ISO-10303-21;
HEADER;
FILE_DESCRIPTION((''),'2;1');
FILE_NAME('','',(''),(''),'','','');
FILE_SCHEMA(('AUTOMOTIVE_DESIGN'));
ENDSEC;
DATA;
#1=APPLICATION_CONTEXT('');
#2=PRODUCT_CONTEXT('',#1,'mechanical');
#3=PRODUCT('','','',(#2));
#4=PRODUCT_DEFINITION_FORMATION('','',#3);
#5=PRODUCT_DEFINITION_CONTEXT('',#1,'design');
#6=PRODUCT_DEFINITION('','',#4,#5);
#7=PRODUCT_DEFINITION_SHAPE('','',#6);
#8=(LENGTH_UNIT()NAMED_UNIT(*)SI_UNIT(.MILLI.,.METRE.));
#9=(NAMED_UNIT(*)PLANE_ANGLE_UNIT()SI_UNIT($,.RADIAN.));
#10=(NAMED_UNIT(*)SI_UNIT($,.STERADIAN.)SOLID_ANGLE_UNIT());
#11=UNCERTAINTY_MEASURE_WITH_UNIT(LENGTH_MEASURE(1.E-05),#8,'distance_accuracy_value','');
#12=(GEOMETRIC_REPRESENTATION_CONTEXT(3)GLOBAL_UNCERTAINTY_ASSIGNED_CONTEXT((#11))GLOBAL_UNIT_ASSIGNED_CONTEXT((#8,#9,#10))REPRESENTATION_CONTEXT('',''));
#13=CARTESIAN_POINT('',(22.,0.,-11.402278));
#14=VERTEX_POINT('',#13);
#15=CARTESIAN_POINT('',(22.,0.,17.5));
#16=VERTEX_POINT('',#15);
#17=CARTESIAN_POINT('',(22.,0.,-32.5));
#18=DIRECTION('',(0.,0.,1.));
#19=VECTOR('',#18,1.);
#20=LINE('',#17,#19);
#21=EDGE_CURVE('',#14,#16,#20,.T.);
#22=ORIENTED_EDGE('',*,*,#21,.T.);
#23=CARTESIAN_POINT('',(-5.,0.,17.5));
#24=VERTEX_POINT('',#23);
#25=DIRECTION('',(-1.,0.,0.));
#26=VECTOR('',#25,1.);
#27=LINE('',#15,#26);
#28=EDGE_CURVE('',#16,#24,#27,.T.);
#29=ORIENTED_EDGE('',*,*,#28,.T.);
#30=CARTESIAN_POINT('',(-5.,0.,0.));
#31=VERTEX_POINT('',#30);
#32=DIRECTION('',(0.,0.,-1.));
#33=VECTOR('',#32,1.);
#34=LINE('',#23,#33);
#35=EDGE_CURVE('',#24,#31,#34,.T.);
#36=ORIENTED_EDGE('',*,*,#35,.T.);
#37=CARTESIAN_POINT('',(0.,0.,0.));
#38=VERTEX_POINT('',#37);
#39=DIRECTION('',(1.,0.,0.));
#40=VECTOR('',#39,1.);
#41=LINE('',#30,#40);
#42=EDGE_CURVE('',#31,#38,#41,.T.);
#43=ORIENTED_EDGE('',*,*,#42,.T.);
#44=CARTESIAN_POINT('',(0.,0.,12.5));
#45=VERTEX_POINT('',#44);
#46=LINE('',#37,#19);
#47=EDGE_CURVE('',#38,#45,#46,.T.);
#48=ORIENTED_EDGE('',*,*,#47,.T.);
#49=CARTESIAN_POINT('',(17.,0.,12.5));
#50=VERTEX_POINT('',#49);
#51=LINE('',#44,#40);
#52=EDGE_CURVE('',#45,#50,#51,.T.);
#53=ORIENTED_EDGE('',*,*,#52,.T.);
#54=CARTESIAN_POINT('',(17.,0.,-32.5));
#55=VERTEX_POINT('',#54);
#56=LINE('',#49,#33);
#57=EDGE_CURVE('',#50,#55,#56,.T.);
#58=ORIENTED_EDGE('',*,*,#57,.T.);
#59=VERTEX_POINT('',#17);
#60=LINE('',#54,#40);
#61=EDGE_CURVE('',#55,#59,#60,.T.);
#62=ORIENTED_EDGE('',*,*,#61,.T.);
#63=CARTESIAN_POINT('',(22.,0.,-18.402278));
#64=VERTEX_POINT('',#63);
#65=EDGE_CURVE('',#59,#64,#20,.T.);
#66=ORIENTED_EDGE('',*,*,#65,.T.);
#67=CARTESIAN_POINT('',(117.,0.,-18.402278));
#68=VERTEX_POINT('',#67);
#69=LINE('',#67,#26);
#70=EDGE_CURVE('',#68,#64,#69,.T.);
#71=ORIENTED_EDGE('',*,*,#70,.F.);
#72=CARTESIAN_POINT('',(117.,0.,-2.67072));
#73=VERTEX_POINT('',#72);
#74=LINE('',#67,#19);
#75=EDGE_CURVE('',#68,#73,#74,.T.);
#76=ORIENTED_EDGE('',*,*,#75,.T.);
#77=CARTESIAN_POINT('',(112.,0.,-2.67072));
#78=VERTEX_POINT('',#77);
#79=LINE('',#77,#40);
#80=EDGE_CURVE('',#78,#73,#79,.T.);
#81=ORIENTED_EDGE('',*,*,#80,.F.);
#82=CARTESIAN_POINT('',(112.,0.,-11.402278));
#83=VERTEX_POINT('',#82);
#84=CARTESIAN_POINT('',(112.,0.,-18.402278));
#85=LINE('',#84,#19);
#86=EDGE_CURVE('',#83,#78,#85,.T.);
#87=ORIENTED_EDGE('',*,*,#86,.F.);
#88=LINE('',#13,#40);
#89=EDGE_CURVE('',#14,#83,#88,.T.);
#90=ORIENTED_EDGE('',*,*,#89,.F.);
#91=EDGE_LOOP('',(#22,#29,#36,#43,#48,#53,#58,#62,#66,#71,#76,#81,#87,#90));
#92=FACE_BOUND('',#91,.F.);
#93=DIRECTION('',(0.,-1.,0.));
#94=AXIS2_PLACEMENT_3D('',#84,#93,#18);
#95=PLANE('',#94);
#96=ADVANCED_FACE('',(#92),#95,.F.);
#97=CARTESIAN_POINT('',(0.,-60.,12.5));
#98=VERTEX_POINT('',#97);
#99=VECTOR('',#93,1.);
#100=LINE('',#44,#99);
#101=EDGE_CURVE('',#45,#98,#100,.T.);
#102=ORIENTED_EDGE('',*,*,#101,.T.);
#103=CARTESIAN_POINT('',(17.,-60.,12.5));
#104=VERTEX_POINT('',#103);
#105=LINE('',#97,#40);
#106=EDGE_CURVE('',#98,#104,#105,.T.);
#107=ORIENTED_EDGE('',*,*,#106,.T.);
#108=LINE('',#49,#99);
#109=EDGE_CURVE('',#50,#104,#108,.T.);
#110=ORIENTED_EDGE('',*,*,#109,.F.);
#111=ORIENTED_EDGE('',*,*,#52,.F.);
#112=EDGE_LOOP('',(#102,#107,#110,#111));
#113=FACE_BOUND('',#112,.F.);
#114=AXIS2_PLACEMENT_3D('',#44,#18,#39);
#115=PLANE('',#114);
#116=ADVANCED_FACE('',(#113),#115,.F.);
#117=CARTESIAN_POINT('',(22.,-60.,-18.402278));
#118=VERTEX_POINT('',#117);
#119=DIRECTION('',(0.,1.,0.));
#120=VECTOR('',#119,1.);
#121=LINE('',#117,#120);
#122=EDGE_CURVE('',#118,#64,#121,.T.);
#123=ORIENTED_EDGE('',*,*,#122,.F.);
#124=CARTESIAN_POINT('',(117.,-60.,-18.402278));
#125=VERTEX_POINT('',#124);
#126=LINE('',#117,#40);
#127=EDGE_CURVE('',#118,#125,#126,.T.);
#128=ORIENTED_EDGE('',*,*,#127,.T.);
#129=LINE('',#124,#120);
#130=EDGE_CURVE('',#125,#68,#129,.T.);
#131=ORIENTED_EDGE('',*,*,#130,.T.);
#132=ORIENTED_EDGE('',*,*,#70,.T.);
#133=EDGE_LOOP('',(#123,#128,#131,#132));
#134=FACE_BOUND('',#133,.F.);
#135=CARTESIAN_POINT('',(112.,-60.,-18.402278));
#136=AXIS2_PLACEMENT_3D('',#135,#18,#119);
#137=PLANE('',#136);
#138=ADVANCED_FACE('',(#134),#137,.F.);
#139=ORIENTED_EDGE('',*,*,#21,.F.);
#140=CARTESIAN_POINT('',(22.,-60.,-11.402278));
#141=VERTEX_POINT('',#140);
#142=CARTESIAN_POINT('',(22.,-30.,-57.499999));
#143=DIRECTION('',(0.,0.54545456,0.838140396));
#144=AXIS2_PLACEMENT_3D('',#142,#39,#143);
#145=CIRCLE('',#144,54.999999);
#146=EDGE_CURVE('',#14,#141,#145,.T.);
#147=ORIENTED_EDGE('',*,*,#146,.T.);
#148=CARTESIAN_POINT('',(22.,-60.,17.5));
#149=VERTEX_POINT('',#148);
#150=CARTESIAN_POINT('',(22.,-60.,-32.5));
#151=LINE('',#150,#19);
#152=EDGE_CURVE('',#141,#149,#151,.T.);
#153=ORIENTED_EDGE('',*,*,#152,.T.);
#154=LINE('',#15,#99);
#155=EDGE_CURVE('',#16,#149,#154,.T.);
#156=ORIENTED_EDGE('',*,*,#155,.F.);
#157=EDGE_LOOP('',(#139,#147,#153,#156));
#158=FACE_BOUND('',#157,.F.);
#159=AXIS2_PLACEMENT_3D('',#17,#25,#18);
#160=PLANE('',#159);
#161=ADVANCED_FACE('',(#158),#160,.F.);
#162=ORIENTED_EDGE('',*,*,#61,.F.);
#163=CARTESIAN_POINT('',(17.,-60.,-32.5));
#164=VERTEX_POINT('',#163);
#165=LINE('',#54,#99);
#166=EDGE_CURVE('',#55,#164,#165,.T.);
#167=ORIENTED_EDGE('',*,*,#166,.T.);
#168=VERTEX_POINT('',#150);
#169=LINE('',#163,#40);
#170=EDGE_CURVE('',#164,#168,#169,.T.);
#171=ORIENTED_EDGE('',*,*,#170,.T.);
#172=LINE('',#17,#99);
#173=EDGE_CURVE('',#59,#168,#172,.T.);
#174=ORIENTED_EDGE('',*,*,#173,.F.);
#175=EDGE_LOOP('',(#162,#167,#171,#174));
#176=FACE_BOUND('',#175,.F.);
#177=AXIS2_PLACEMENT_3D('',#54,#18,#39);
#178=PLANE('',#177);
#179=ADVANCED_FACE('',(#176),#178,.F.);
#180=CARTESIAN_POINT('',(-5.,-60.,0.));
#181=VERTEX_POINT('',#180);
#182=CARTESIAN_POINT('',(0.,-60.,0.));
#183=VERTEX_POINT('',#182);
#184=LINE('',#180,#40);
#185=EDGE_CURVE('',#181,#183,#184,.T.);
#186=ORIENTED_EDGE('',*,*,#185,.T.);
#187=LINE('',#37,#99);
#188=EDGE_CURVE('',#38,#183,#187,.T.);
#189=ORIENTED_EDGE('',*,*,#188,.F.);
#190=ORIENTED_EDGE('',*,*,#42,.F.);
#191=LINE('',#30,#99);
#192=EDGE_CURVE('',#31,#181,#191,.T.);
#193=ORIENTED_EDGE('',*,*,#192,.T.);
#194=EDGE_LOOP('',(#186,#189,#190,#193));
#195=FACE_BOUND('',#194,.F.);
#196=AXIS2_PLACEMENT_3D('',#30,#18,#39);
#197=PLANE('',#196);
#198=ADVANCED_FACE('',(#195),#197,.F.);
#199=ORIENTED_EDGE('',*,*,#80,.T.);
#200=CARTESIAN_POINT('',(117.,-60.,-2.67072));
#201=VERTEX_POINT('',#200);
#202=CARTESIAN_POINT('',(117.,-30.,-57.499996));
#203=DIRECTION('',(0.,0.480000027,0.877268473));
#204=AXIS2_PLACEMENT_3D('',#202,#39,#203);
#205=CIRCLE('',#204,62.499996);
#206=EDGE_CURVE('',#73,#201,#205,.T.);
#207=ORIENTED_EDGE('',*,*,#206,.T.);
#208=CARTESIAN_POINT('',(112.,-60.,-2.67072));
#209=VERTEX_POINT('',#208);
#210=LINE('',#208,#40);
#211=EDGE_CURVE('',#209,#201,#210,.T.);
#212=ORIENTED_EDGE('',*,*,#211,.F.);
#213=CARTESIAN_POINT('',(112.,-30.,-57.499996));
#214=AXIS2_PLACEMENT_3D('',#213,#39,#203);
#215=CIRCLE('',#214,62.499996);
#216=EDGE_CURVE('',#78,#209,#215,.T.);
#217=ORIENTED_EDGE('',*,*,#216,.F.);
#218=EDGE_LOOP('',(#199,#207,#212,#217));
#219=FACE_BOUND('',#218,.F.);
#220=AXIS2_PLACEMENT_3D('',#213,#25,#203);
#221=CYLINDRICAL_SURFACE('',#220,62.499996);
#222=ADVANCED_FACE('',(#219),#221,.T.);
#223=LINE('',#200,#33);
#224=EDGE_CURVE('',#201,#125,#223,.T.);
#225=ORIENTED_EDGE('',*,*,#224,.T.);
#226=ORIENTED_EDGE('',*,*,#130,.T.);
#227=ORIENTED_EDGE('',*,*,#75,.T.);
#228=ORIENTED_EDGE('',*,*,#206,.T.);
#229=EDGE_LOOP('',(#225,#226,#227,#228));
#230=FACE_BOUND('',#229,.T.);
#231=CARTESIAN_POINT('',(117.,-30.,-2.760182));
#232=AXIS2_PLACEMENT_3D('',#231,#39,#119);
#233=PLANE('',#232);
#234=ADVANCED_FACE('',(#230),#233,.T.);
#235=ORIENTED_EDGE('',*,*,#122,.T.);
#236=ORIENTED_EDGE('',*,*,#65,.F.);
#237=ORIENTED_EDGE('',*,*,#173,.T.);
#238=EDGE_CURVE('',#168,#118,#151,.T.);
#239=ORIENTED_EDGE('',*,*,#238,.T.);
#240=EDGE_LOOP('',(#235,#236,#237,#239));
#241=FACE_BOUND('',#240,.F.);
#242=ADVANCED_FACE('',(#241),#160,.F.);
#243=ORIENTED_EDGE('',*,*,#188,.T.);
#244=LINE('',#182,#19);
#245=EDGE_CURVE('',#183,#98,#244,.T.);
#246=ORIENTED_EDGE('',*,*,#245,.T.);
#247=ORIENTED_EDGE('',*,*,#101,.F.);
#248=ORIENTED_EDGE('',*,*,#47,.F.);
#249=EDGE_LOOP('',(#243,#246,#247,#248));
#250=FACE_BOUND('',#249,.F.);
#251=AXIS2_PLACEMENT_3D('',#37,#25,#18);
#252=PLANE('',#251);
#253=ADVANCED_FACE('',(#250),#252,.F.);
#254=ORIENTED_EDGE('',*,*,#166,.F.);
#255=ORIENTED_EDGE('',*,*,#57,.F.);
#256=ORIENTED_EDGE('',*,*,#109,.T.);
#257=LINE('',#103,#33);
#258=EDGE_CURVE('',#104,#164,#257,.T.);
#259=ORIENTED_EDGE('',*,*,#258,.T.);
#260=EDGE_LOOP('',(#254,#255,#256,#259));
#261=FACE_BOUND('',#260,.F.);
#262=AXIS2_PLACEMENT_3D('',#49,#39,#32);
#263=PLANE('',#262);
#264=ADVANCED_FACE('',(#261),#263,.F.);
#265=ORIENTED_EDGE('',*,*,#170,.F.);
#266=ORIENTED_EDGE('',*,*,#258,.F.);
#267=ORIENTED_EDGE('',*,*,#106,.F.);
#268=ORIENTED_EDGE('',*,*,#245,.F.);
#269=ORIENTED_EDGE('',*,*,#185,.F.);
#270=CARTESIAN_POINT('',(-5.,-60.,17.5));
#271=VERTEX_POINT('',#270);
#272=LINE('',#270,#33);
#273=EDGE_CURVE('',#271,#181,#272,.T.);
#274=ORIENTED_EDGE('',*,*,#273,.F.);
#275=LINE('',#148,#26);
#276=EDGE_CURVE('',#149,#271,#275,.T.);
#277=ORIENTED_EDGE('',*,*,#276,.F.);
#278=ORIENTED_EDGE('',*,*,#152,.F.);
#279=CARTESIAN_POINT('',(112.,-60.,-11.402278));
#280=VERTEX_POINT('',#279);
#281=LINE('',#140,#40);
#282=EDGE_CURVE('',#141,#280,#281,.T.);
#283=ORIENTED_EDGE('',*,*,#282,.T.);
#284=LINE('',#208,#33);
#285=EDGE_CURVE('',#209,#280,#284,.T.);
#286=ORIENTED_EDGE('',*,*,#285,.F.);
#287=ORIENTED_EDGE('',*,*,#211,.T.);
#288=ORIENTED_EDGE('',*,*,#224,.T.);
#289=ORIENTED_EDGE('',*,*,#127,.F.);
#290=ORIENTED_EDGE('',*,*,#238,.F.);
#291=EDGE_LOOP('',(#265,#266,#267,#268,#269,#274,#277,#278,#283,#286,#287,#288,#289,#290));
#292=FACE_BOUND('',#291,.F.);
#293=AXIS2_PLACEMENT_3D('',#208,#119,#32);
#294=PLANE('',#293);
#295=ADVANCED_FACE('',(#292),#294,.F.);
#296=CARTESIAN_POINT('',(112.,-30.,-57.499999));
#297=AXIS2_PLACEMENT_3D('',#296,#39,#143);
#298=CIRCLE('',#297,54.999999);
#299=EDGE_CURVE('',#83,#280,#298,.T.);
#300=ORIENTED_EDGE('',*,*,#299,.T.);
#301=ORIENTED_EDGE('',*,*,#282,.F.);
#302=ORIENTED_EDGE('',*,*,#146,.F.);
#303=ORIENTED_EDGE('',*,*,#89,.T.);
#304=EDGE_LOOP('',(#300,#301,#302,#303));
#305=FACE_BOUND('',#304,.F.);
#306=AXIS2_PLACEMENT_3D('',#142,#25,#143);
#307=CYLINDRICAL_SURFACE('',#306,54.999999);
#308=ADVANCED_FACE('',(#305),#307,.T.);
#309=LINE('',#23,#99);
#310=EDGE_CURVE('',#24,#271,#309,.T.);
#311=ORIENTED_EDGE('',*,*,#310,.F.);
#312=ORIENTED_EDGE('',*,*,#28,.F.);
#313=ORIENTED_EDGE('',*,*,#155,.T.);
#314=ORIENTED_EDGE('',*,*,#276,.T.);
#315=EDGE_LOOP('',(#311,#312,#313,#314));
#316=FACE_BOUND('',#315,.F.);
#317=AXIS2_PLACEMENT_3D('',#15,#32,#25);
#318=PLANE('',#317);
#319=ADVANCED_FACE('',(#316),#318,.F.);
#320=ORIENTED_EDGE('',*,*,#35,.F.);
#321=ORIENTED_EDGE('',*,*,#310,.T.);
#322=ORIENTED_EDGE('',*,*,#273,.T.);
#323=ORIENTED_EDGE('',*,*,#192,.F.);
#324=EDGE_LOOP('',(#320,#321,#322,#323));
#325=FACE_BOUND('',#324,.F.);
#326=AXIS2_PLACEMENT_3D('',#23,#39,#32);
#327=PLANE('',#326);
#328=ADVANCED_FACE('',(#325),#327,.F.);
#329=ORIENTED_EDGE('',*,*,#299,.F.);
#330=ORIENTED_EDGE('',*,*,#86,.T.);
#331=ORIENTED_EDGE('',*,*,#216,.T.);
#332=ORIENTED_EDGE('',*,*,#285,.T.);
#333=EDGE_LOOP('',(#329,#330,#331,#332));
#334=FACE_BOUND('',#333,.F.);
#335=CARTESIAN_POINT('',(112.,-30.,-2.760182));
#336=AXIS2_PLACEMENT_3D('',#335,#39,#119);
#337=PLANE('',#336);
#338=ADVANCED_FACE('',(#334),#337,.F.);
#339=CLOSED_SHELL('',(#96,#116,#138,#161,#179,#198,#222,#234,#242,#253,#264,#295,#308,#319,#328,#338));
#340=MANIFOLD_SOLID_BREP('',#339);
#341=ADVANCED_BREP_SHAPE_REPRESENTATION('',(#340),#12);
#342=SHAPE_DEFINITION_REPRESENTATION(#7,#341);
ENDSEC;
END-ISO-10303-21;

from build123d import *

# Parameters (mm, degrees)
F1_DEPTH = 60
F3_DEPTH = 90
F5_DEPTH = 5


with BuildPart() as f1:
    # F0 (on Front) → F1 (new body)
    with BuildSketch(Plane.XZ):
        Polygon((-5, 0), (0, 0), (0, 12.5), (17, 12.5), (17, -32.5), (22, -32.5), (22, 17.5), (-5, 17.5), align=None)
    extrude(amount=F1_DEPTH)

    # F2 (on face) → F3 (join)
    with BuildSketch(Plane.YZ.offset(22)):
        with BuildLine():
            Line((-60, -18.402278), (0, -18.402278))
            Line((0, -18.402278), (0, -11.402278))
            ThreePointArc((0, -11.402278), (-30, -2.5), (-60, -11.402278))
            Line((-60, -11.402278), (-60, -18.402278))
        make_face()
    extrude(amount=F3_DEPTH)

    # F4 (on face) → F5 (join)
    with BuildSketch(Plane.YZ.offset(112)):
        with BuildLine():
            ThreePointArc((-60, -11.402278), (-30, -2.5), (0, -11.402278))
            Line((0, -11.402278), (0, -2.67072))
            ThreePointArc((0, -2.67072), (-30, 5), (-60, -2.67072))
            Line((-60, -2.67072), (-60, -11.402278))
        make_face()
        with BuildLine():
            Line((-60, -18.402278), (0, -18.402278))
            Line((0, -18.402278), (0, -11.402278))
            ThreePointArc((0, -11.402278), (-30, -2.5), (-60, -11.402278))
            Line((-60, -11.402278), (-60, -18.402278))
        make_face()
    extrude(amount=F5_DEPTH)


solid = f1.part
